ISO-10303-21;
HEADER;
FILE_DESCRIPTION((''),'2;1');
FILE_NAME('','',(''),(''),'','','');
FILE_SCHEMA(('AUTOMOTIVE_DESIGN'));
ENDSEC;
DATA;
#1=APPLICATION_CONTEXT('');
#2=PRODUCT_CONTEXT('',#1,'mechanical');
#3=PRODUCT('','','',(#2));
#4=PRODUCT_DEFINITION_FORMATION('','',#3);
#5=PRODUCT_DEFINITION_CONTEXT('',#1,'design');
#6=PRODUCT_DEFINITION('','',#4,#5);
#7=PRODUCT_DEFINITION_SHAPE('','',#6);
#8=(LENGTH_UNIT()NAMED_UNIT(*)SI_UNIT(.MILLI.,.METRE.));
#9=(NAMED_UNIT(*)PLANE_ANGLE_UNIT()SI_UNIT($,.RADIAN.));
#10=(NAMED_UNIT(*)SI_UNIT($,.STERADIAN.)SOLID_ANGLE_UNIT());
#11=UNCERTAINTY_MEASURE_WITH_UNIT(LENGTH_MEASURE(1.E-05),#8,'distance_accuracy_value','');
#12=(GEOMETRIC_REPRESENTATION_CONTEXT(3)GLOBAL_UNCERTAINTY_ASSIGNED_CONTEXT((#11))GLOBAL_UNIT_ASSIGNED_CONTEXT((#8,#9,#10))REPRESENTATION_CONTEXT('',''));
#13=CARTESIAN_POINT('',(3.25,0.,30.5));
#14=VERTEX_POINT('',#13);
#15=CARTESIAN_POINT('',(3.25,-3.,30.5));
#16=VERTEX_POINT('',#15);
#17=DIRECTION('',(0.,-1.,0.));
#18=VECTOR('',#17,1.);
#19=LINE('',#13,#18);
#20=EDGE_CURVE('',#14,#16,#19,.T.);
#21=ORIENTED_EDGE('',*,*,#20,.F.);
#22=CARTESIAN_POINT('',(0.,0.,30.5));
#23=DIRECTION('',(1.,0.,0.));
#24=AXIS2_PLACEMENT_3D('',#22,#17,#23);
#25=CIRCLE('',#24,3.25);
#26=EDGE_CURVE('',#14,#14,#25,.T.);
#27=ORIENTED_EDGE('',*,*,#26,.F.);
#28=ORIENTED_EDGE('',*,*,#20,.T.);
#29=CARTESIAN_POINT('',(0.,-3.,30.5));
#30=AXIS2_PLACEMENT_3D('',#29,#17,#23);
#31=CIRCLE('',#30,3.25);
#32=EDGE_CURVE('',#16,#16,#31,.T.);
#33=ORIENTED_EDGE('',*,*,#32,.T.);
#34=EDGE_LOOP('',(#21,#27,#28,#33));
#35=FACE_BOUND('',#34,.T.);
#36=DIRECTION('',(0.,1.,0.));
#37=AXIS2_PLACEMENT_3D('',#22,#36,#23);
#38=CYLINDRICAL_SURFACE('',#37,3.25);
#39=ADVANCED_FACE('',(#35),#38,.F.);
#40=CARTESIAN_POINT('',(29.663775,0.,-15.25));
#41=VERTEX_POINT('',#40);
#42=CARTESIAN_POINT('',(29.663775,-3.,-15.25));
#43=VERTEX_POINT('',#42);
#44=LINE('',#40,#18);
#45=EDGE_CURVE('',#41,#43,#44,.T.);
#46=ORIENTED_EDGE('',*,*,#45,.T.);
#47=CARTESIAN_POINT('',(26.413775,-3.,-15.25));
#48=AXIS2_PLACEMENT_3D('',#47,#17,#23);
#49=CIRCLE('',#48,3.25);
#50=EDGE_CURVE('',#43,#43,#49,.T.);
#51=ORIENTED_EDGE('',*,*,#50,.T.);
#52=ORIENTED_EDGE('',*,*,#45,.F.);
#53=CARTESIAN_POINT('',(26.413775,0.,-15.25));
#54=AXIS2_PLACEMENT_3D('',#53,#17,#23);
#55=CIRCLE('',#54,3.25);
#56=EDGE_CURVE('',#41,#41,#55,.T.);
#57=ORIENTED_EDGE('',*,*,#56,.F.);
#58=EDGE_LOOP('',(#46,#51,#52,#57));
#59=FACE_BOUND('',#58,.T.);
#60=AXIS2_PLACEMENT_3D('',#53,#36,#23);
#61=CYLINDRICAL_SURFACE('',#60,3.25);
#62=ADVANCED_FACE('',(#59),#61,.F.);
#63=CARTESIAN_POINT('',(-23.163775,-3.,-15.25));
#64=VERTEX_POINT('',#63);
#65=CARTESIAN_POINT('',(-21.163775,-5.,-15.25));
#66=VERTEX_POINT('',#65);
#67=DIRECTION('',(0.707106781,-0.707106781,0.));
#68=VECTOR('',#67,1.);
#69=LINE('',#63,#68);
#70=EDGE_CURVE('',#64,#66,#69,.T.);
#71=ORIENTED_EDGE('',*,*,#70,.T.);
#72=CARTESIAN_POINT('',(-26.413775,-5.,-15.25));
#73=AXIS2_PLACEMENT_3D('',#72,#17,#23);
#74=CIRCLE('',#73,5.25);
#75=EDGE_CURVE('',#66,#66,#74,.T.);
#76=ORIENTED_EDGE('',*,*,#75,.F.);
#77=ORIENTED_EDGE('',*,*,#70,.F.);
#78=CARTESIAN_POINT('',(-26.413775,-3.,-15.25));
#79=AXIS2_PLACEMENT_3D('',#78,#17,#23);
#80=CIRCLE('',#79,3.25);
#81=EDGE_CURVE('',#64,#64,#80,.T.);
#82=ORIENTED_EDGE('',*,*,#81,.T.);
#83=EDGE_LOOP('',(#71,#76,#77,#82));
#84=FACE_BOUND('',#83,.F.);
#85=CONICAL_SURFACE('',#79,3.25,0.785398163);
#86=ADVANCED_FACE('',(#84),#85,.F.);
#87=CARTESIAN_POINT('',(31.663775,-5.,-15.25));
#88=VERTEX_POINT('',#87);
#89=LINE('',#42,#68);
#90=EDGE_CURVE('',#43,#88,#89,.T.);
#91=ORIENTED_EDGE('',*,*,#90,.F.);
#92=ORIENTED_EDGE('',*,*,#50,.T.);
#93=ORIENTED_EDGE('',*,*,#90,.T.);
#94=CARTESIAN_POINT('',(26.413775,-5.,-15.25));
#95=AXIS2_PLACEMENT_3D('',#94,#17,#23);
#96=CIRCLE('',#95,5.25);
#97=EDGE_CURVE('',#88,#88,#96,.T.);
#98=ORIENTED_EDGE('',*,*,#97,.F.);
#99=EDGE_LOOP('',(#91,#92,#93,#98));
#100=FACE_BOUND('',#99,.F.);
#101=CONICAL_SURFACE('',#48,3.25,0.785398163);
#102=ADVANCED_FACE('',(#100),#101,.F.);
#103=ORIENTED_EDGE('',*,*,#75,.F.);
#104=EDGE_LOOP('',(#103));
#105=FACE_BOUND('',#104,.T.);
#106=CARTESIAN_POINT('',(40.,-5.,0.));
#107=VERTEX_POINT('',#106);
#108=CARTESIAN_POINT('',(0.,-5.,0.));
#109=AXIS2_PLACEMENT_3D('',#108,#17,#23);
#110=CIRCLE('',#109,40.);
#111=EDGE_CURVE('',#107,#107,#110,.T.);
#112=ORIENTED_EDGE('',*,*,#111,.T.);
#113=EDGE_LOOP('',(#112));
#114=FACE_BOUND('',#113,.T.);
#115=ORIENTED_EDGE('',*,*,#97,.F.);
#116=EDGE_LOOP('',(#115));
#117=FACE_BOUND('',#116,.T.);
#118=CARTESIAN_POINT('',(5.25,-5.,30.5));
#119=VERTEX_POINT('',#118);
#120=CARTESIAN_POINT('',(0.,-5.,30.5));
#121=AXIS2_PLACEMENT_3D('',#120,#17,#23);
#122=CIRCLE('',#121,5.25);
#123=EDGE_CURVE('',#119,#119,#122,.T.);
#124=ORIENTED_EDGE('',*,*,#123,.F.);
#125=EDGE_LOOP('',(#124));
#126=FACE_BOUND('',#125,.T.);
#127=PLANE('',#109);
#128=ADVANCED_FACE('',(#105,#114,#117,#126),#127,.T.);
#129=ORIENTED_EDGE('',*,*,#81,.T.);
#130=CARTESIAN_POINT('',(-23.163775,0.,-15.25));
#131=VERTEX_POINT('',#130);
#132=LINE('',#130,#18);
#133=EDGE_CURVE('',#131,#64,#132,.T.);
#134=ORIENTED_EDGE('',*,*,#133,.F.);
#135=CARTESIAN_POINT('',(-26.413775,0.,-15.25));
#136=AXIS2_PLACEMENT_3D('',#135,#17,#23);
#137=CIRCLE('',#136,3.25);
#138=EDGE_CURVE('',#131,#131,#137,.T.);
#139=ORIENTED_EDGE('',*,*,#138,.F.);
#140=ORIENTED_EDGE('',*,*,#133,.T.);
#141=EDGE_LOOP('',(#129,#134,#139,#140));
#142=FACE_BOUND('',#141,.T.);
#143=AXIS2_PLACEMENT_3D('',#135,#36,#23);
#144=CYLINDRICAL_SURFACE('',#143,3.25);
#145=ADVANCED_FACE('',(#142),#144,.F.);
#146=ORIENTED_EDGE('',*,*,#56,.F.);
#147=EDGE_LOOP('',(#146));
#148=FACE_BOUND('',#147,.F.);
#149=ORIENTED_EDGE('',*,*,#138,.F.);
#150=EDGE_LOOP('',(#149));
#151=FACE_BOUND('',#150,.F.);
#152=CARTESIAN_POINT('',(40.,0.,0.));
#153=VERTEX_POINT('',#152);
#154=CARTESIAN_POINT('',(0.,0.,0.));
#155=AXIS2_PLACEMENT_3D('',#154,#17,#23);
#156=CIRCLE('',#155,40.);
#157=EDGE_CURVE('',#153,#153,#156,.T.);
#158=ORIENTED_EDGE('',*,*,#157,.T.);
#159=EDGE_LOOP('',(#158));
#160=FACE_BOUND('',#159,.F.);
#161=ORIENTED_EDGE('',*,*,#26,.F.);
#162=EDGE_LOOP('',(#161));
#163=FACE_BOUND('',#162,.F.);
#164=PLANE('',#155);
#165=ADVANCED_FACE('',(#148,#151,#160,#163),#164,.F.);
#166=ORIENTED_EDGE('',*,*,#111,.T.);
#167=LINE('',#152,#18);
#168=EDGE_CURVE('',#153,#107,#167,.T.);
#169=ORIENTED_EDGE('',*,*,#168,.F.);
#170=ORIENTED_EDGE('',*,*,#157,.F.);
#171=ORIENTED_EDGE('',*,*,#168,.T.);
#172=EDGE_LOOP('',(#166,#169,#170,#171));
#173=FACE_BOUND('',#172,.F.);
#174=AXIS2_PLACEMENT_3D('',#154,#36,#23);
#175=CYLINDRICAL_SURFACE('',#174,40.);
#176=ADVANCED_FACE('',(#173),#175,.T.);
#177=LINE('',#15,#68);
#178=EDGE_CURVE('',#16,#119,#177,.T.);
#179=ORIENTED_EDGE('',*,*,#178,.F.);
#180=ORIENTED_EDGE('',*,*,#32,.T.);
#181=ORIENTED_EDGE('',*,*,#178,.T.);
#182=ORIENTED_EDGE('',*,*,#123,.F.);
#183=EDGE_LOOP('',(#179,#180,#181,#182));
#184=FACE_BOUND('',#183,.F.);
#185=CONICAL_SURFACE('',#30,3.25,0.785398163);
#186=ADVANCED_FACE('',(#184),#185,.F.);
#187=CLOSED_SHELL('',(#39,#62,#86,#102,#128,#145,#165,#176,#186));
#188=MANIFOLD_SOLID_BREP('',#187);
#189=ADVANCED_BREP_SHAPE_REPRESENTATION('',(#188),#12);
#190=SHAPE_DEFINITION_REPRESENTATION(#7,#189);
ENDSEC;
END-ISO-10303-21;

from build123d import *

# Parameters (mm, degrees)
F0_R     = 40
F0_R_2   = 3.25
F1_DEPTH = 5
F2_SIZE  = 2


with BuildPart() as f1:
    # F0 (on Front) → F1 (new body)
    with BuildSketch(Plane.XZ):
        Circle(F0_R)
        with Locations((-26.413775, -15.25)):
            Circle(F0_R_2, mode=Mode.SUBTRACT)
        with Locations((26.413775, -15.25)):
            Circle(F0_R_2, mode=Mode.SUBTRACT)
        with Locations((0, 30.5)):
            Circle(F0_R_2, mode=Mode.SUBTRACT)
    extrude(amount=F1_DEPTH)

    # F2
    f2_edges = [f1.edges().sort_by_distance(p)[0] for p in [
        (-3.25, -5, 30.5),
        (23.163775, -5, -15.25),
        (-29.663775, -5, -15.25),
    ]]
    chamfer(f2_edges, length=F2_SIZE)


solid = f1.part
